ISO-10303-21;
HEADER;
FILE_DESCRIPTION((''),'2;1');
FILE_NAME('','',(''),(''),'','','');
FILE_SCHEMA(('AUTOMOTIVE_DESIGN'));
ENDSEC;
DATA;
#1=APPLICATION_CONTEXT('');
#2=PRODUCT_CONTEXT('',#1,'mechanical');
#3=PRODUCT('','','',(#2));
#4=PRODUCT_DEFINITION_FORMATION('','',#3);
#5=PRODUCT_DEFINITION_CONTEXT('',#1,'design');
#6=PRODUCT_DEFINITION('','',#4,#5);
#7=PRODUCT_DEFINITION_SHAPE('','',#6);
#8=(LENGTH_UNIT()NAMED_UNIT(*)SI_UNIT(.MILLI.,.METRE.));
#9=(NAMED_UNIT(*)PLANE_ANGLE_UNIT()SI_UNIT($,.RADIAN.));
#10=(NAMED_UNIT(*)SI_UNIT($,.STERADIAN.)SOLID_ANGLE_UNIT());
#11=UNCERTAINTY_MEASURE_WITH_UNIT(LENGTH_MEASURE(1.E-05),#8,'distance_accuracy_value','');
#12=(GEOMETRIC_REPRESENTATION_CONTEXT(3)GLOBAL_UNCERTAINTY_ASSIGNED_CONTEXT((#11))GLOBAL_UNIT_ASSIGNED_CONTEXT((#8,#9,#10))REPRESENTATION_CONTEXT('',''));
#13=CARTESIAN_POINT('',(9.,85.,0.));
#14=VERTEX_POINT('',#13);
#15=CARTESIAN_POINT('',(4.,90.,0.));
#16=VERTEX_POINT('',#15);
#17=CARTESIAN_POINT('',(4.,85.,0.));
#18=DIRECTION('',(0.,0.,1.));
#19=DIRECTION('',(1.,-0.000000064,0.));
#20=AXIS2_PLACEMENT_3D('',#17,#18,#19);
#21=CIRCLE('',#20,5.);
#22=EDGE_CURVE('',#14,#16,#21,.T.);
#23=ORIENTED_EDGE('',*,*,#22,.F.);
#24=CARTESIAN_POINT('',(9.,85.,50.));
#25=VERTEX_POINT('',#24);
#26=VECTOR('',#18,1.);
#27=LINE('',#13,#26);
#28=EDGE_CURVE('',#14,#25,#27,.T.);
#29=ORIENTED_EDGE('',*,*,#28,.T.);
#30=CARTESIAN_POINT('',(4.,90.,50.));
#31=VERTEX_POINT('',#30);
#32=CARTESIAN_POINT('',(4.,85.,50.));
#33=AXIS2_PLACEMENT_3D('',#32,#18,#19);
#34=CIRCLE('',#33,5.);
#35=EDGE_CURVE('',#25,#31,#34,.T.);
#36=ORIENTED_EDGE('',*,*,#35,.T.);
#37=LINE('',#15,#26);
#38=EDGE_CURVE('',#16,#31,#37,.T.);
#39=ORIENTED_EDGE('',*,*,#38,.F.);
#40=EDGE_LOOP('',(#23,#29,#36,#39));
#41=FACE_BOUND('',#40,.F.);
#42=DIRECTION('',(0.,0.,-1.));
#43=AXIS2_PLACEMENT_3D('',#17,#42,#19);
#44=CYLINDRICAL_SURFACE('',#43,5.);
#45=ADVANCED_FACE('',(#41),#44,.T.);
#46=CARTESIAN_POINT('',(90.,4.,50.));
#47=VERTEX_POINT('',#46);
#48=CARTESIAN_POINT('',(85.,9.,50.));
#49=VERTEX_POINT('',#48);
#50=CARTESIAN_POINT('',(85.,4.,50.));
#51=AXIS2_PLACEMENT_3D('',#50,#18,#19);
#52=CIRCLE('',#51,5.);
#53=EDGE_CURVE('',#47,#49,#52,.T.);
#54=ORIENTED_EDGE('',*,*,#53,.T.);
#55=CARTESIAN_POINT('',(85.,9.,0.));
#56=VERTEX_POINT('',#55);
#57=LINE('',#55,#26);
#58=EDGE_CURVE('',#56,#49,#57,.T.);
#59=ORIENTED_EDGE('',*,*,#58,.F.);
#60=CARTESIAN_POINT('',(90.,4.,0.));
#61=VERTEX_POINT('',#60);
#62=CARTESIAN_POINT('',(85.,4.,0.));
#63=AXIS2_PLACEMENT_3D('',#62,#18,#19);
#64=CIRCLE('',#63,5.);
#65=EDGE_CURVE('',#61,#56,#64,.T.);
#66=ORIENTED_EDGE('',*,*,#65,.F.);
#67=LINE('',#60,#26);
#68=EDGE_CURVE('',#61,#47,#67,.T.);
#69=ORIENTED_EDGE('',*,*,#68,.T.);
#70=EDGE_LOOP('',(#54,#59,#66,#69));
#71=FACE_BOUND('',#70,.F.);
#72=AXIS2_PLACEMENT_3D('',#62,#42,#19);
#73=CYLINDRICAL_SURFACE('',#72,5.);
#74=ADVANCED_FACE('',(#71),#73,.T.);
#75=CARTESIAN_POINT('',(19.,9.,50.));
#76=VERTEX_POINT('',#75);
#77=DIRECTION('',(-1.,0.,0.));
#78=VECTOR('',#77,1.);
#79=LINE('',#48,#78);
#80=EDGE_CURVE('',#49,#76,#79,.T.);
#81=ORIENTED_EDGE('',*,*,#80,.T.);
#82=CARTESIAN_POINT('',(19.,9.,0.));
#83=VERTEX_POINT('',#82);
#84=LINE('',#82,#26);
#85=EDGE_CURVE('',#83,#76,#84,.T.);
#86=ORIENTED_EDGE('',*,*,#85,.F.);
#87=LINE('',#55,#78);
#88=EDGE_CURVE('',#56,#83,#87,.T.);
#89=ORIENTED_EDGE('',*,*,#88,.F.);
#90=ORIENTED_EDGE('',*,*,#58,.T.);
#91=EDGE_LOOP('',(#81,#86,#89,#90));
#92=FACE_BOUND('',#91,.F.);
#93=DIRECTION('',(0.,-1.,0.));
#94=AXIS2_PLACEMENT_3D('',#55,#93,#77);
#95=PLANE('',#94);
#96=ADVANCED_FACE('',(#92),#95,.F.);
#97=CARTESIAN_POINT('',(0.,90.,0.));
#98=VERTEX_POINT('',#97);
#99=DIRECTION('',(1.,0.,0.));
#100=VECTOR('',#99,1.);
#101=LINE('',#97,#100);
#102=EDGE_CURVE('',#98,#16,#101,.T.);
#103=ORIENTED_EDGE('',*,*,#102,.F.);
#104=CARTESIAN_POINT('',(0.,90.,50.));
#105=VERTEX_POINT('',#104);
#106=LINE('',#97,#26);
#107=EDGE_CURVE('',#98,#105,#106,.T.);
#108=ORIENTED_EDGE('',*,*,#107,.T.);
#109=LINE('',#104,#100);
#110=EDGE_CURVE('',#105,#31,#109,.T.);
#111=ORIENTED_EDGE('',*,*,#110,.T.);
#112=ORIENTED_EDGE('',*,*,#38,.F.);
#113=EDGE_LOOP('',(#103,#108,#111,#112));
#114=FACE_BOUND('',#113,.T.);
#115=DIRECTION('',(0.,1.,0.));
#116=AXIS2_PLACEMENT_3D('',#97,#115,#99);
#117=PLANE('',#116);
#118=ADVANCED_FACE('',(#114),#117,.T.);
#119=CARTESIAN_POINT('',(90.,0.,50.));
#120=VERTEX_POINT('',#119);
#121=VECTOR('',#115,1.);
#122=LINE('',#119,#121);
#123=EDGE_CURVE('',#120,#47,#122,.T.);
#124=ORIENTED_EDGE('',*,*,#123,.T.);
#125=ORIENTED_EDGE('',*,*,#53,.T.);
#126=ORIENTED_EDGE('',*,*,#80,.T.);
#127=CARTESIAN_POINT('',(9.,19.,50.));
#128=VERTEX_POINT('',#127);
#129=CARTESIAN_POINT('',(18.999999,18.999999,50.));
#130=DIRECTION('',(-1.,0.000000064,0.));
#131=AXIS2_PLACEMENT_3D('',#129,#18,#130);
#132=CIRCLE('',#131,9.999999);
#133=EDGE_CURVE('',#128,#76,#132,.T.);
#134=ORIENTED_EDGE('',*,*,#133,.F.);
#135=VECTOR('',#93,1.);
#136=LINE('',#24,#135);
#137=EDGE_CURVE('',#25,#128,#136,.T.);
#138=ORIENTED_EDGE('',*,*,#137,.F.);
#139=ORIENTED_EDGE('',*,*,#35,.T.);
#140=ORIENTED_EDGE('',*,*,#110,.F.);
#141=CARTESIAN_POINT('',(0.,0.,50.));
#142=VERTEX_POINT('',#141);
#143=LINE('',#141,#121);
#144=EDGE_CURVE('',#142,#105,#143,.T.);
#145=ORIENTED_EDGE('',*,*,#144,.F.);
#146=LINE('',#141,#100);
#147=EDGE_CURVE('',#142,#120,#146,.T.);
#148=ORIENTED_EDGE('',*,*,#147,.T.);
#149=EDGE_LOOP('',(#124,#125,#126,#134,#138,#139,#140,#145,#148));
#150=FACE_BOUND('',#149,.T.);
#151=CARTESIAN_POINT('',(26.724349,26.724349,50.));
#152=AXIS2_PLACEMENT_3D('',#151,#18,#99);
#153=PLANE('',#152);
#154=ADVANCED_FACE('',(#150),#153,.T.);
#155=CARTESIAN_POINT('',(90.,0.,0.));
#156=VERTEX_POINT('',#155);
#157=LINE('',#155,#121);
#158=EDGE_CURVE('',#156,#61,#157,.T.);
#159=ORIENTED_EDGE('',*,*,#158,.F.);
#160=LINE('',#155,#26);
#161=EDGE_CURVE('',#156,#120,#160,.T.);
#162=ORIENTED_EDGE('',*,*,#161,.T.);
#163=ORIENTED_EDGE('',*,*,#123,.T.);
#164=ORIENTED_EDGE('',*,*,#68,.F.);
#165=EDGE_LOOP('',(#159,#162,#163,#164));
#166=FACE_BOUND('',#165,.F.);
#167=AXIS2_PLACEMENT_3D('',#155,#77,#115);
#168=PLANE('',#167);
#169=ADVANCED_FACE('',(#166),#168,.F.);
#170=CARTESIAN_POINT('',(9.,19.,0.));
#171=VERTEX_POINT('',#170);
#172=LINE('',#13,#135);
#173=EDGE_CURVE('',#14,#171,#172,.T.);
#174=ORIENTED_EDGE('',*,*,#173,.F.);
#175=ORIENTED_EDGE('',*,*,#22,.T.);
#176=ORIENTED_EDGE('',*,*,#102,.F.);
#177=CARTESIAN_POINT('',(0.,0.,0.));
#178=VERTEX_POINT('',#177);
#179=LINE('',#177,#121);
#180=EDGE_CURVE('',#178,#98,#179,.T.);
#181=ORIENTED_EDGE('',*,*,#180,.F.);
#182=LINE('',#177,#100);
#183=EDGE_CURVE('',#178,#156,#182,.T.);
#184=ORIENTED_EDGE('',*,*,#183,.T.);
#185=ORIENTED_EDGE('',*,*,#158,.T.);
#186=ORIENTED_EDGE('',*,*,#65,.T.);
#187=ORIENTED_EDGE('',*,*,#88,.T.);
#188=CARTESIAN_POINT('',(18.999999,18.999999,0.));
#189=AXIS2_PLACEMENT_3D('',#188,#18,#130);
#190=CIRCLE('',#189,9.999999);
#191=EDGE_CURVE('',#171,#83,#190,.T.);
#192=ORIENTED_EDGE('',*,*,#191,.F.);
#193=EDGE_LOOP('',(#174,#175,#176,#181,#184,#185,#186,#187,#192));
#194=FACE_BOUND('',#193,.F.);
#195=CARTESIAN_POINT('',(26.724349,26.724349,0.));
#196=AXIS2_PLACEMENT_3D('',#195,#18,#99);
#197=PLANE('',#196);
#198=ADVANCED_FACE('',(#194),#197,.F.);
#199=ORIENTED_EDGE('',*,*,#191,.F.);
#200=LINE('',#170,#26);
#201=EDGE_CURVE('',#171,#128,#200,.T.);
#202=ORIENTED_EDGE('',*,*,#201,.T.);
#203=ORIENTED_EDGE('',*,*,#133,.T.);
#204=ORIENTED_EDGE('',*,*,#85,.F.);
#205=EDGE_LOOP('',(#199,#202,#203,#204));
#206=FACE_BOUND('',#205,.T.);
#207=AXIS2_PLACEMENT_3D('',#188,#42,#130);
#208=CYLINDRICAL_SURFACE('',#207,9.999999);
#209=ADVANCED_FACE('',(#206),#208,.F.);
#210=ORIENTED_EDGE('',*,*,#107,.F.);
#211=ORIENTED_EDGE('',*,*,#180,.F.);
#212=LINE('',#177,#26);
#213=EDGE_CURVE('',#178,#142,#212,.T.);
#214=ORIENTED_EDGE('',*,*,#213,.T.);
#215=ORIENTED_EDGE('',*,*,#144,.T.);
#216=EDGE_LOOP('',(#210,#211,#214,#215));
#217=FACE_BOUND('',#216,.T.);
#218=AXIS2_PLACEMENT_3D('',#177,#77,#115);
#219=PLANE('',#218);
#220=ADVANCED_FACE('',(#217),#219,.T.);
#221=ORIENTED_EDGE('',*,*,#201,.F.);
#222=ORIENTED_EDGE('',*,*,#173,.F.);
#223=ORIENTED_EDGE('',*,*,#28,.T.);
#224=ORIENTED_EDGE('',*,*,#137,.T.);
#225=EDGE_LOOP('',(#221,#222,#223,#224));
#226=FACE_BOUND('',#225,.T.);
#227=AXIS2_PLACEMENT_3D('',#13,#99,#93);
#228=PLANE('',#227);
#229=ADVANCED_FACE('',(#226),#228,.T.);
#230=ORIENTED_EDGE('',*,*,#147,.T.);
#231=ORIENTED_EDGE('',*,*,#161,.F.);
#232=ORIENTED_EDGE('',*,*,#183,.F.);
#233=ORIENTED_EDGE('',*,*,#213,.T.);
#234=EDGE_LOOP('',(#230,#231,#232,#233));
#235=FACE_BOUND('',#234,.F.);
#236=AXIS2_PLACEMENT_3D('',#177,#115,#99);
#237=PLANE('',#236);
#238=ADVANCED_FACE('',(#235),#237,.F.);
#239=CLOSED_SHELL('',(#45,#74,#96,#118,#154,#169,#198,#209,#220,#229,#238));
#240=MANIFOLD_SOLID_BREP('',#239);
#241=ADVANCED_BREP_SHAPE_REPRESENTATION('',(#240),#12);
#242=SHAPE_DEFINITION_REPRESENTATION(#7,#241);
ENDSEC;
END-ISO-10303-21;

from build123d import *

# Parameters (mm, degrees)
EXTRUDE_DEPTH = 50


with BuildPart() as part:
    # Sketch → Extrude (new body)
    with BuildSketch(Plane.XY):
        with BuildLine():
            Line((0, 0), (90, 0))
            Line((90, 0), (90, 4))
            ThreePointArc((90, 4), (88.535534, 7.535534), (85, 9))
            Line((85, 9), (19, 9))
            ThreePointArc((9, 19), (11.928932, 11.928932), (19, 9))
            Line((9, 85), (9, 19))
            ThreePointArc((9, 85), (7.535534, 88.535534), (4, 90))
            Line((0, 90), (4, 90))
            Line((0, 0), (0, 90))
        make_face()
    extrude(amount=EXTRUDE_DEPTH)


solid = part.part
